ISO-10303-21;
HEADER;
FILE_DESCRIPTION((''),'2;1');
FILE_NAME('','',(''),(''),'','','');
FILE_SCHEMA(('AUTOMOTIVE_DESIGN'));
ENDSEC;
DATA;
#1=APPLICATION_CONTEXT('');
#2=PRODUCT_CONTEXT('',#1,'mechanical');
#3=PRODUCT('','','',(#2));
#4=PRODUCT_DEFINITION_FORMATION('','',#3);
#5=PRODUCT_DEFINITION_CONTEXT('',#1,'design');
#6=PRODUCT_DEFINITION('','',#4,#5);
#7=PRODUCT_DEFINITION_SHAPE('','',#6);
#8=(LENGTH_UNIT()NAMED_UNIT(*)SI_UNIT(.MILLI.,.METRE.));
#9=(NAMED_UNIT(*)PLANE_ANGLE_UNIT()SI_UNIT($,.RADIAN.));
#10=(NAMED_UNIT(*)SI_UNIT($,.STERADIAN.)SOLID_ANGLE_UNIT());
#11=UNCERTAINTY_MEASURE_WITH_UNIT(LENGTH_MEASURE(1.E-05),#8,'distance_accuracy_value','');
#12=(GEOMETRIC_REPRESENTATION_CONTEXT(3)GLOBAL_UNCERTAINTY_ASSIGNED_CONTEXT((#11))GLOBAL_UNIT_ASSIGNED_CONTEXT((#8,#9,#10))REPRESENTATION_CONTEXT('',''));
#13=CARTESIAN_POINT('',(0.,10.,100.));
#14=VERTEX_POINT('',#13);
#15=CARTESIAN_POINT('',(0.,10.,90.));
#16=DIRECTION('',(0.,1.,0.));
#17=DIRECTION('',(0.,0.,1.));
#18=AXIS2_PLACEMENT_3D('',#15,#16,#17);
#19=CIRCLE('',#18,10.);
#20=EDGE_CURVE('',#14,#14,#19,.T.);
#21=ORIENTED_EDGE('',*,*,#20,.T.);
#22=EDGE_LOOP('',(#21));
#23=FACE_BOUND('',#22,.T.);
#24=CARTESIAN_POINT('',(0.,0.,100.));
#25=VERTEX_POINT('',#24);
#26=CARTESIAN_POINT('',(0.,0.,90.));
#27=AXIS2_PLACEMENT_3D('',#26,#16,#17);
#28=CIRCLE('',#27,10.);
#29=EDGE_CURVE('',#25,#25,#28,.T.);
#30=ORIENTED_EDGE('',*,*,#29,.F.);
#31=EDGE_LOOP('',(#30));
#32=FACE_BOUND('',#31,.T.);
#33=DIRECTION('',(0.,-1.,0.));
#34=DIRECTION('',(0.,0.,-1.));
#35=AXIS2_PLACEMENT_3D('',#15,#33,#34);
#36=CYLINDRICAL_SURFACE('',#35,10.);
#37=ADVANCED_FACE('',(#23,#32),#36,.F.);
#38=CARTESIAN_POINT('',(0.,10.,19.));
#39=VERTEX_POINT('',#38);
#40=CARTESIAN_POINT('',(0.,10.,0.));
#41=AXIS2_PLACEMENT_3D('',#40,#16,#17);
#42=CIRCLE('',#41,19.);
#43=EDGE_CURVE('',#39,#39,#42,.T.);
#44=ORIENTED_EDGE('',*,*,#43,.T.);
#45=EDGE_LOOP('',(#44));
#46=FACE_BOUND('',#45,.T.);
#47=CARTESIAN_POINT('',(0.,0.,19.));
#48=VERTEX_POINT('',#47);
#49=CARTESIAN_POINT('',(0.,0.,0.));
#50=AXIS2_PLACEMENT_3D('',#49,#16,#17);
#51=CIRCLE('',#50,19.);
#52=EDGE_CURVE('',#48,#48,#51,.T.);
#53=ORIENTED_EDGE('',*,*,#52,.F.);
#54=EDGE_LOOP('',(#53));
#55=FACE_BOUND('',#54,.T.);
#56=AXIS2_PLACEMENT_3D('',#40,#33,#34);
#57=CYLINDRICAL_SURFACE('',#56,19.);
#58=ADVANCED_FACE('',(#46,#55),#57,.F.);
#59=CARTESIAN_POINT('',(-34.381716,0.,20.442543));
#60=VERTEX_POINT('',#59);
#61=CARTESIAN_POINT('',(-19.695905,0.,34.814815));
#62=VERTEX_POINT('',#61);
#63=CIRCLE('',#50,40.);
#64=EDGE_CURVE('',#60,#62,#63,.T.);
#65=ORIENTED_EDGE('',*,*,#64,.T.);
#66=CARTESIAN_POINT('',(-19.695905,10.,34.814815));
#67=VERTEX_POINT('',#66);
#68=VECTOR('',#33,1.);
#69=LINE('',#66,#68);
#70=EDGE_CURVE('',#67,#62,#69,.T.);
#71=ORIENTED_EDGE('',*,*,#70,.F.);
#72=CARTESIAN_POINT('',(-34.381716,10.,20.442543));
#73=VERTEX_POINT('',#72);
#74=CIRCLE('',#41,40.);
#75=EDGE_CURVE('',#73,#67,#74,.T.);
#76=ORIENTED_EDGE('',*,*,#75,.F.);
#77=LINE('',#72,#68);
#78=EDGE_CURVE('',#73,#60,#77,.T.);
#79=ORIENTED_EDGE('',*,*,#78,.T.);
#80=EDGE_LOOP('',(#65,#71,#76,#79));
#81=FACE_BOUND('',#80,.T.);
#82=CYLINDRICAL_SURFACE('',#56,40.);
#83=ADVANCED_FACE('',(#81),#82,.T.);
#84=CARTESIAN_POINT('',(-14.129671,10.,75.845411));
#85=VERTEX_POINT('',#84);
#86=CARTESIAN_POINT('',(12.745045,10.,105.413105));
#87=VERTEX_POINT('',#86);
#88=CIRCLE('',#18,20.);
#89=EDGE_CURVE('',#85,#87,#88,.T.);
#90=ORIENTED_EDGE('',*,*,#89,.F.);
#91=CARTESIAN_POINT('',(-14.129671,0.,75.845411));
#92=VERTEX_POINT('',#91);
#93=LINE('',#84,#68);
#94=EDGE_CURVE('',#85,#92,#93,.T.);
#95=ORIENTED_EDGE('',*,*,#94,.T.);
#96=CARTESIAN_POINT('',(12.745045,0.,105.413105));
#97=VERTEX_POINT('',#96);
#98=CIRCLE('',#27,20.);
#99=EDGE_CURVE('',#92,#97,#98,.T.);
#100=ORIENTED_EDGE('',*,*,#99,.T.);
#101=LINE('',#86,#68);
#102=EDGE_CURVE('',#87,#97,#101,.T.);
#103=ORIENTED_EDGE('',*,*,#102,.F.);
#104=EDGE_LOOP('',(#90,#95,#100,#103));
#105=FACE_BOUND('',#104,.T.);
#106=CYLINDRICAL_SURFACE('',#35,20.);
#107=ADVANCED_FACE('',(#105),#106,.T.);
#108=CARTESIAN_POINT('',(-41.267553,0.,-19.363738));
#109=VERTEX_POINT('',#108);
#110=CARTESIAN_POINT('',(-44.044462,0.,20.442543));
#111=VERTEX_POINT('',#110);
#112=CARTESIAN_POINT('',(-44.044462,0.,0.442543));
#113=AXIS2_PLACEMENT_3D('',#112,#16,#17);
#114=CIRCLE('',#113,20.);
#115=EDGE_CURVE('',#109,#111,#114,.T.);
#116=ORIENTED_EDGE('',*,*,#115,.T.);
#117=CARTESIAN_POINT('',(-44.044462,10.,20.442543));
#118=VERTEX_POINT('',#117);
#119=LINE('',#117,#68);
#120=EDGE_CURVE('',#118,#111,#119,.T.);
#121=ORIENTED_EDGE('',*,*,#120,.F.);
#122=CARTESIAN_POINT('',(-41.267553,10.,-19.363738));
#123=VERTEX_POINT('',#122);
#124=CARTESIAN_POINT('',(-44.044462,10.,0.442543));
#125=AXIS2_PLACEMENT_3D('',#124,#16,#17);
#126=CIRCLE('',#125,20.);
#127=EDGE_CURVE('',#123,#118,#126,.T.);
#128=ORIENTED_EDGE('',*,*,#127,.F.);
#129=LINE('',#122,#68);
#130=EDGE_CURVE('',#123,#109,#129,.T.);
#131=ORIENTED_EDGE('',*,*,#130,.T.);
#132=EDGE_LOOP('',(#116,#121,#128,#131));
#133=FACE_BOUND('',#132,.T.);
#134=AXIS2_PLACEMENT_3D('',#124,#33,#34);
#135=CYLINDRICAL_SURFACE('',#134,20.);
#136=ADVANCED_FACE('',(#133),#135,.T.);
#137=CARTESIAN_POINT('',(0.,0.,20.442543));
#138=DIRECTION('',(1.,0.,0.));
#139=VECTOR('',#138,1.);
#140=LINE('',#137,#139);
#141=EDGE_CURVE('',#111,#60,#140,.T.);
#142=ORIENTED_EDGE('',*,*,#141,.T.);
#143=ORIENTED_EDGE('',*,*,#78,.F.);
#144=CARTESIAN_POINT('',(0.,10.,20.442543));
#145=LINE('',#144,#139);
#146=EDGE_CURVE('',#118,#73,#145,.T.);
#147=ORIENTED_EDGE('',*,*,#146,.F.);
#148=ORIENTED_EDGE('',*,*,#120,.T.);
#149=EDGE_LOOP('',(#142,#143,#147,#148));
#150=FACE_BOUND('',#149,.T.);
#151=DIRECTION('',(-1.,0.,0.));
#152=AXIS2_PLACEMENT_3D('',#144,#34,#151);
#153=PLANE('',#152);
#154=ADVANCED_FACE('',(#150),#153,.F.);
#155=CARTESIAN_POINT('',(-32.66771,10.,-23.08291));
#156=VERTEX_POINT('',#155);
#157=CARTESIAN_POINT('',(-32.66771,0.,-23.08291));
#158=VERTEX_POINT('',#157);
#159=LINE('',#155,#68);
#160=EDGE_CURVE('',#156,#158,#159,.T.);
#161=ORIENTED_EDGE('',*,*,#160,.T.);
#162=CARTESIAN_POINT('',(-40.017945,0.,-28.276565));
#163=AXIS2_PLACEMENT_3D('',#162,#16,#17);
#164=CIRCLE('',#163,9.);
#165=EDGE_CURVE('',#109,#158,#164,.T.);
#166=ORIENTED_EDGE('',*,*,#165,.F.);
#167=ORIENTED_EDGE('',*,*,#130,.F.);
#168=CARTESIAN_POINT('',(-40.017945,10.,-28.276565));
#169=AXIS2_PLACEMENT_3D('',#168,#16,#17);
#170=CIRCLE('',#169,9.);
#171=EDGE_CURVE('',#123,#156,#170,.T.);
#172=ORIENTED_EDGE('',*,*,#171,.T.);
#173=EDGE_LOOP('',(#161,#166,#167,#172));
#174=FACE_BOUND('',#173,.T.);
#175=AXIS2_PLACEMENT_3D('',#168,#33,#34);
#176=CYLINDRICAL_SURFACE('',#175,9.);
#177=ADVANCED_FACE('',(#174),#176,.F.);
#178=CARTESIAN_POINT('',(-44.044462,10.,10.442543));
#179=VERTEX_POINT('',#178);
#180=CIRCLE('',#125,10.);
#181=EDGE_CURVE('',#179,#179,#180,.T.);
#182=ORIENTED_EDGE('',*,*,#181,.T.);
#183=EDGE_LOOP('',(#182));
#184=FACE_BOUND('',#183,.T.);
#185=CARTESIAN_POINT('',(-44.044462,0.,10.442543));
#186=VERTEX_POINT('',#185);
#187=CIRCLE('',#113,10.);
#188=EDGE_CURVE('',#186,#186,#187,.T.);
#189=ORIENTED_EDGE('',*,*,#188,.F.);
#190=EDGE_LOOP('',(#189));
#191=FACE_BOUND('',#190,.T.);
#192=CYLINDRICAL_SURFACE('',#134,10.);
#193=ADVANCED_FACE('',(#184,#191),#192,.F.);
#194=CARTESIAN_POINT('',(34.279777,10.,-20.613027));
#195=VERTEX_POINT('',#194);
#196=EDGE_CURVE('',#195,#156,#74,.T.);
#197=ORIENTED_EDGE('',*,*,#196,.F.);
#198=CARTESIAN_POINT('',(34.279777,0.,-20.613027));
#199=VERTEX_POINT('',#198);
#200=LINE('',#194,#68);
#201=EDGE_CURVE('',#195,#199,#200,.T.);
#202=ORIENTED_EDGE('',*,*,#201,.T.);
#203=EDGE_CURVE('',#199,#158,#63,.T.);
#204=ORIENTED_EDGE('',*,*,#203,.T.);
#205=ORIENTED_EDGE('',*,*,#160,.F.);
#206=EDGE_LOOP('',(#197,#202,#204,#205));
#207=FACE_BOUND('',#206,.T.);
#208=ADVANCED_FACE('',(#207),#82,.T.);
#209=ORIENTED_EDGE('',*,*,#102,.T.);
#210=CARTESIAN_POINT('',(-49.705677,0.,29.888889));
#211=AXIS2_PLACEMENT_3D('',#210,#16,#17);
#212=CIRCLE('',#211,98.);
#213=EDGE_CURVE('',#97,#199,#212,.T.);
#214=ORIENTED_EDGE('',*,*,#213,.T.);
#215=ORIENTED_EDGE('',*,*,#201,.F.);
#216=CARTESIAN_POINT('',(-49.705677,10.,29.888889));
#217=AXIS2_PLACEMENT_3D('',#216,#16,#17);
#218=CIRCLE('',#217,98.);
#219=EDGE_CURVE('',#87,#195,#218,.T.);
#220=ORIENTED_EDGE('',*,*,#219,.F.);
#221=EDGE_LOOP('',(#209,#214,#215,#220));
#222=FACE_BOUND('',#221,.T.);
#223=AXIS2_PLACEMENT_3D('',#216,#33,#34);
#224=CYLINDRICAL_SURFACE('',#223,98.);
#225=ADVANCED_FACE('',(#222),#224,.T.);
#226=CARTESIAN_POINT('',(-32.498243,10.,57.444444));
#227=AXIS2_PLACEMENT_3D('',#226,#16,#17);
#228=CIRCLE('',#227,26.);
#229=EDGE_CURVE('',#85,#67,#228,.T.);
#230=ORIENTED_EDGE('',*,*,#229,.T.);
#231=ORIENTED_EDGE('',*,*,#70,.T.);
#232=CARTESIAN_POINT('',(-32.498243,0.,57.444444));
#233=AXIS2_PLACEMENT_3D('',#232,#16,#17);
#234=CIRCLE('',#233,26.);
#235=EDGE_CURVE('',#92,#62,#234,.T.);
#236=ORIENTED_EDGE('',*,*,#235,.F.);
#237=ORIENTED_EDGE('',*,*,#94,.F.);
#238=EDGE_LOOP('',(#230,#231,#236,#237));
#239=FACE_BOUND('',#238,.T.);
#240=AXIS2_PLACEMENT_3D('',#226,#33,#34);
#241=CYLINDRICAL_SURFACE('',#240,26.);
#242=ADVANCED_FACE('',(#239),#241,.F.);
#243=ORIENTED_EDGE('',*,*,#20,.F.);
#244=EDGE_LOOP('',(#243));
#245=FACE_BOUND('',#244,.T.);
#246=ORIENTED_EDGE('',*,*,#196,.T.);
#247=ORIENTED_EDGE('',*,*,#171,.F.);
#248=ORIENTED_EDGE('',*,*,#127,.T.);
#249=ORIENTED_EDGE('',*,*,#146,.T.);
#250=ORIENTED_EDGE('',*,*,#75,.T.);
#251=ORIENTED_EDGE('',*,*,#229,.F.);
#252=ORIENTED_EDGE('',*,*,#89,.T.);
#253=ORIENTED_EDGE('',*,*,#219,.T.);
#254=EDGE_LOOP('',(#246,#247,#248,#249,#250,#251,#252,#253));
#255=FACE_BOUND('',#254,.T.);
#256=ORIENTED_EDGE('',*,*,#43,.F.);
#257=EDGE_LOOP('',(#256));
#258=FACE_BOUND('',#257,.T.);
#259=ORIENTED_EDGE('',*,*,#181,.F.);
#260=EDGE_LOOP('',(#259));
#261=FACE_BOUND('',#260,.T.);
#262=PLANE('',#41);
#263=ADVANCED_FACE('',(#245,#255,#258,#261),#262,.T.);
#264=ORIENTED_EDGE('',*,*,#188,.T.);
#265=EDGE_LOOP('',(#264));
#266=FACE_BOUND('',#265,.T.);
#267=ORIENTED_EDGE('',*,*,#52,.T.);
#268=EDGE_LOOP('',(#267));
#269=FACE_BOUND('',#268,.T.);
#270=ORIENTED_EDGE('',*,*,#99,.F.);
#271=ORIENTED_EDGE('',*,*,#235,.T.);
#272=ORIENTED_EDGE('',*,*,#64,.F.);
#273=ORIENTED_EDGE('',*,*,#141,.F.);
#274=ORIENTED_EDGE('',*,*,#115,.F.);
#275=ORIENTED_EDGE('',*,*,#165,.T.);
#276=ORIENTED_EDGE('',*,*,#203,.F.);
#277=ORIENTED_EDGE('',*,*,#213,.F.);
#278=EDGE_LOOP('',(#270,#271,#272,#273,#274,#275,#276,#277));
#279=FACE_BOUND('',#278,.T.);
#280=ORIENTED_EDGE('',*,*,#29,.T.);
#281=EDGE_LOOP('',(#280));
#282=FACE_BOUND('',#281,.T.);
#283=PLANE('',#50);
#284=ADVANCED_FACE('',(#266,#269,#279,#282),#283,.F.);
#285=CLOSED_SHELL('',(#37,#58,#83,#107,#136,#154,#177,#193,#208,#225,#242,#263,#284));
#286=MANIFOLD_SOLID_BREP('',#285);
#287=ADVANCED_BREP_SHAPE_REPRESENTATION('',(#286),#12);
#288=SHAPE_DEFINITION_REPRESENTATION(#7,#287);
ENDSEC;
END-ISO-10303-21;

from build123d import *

# Parameters (mm, degrees)
SKETCH7_R           = 10
SKETCH7_R_2         = 19
BOSS_EXTRUDE7_DEPTH = 10


with BuildPart() as part:
    # Sketch7 → Boss-Extrude7 (new body)
    with BuildSketch(Plane(origin=(0, 0, 0), x_dir=(1, 0, 0), z_dir=(0, 1, 0))):
        with BuildLine():
            ThreePointArc((12.745045372, -105.413105413), (46.894193375, -46.39540437), (34.279777206, 20.61302682))
            ThreePointArc((34.279777206, 20.61302682), (1.47471049, 39.972806118), (-32.667709838, 23.082909998))
            ThreePointArc((-32.667709838, 23.082909998), (-36.445484769, 20.015963612), (-41.267553362, 19.363738157))
            ThreePointArc((-41.267553362, 19.363738157), (-63.99597338, 0.949285461), (-44.044461831, -20.442543154))
            Line((-44.044461831, -20.442543154), (-34.381716499, -20.442543154))
            ThreePointArc((-34.381716499, -20.442543154), (-27.977452206, -28.587797538), (-19.695904889, -34.814814815))
            ThreePointArc((-19.695904889, -34.814814815), (-6.734239862, -53.9492851), (-14.129670899, -75.845410628))
            ThreePointArc((-14.129670899, -75.845410628), (-14.800048672, -103.452083828), (12.745045372, -105.413105413))
        make_face()
        with Locations((-44.044461831, -0.442543154)):
            Circle(SKETCH7_R, mode=Mode.SUBTRACT)
        Circle(SKETCH7_R_2, mode=Mode.SUBTRACT)
        with Locations((0, -90)):
            Circle(SKETCH7_R, mode=Mode.SUBTRACT)
    extrude(amount=BOSS_EXTRUDE7_DEPTH)


solid = part.part
